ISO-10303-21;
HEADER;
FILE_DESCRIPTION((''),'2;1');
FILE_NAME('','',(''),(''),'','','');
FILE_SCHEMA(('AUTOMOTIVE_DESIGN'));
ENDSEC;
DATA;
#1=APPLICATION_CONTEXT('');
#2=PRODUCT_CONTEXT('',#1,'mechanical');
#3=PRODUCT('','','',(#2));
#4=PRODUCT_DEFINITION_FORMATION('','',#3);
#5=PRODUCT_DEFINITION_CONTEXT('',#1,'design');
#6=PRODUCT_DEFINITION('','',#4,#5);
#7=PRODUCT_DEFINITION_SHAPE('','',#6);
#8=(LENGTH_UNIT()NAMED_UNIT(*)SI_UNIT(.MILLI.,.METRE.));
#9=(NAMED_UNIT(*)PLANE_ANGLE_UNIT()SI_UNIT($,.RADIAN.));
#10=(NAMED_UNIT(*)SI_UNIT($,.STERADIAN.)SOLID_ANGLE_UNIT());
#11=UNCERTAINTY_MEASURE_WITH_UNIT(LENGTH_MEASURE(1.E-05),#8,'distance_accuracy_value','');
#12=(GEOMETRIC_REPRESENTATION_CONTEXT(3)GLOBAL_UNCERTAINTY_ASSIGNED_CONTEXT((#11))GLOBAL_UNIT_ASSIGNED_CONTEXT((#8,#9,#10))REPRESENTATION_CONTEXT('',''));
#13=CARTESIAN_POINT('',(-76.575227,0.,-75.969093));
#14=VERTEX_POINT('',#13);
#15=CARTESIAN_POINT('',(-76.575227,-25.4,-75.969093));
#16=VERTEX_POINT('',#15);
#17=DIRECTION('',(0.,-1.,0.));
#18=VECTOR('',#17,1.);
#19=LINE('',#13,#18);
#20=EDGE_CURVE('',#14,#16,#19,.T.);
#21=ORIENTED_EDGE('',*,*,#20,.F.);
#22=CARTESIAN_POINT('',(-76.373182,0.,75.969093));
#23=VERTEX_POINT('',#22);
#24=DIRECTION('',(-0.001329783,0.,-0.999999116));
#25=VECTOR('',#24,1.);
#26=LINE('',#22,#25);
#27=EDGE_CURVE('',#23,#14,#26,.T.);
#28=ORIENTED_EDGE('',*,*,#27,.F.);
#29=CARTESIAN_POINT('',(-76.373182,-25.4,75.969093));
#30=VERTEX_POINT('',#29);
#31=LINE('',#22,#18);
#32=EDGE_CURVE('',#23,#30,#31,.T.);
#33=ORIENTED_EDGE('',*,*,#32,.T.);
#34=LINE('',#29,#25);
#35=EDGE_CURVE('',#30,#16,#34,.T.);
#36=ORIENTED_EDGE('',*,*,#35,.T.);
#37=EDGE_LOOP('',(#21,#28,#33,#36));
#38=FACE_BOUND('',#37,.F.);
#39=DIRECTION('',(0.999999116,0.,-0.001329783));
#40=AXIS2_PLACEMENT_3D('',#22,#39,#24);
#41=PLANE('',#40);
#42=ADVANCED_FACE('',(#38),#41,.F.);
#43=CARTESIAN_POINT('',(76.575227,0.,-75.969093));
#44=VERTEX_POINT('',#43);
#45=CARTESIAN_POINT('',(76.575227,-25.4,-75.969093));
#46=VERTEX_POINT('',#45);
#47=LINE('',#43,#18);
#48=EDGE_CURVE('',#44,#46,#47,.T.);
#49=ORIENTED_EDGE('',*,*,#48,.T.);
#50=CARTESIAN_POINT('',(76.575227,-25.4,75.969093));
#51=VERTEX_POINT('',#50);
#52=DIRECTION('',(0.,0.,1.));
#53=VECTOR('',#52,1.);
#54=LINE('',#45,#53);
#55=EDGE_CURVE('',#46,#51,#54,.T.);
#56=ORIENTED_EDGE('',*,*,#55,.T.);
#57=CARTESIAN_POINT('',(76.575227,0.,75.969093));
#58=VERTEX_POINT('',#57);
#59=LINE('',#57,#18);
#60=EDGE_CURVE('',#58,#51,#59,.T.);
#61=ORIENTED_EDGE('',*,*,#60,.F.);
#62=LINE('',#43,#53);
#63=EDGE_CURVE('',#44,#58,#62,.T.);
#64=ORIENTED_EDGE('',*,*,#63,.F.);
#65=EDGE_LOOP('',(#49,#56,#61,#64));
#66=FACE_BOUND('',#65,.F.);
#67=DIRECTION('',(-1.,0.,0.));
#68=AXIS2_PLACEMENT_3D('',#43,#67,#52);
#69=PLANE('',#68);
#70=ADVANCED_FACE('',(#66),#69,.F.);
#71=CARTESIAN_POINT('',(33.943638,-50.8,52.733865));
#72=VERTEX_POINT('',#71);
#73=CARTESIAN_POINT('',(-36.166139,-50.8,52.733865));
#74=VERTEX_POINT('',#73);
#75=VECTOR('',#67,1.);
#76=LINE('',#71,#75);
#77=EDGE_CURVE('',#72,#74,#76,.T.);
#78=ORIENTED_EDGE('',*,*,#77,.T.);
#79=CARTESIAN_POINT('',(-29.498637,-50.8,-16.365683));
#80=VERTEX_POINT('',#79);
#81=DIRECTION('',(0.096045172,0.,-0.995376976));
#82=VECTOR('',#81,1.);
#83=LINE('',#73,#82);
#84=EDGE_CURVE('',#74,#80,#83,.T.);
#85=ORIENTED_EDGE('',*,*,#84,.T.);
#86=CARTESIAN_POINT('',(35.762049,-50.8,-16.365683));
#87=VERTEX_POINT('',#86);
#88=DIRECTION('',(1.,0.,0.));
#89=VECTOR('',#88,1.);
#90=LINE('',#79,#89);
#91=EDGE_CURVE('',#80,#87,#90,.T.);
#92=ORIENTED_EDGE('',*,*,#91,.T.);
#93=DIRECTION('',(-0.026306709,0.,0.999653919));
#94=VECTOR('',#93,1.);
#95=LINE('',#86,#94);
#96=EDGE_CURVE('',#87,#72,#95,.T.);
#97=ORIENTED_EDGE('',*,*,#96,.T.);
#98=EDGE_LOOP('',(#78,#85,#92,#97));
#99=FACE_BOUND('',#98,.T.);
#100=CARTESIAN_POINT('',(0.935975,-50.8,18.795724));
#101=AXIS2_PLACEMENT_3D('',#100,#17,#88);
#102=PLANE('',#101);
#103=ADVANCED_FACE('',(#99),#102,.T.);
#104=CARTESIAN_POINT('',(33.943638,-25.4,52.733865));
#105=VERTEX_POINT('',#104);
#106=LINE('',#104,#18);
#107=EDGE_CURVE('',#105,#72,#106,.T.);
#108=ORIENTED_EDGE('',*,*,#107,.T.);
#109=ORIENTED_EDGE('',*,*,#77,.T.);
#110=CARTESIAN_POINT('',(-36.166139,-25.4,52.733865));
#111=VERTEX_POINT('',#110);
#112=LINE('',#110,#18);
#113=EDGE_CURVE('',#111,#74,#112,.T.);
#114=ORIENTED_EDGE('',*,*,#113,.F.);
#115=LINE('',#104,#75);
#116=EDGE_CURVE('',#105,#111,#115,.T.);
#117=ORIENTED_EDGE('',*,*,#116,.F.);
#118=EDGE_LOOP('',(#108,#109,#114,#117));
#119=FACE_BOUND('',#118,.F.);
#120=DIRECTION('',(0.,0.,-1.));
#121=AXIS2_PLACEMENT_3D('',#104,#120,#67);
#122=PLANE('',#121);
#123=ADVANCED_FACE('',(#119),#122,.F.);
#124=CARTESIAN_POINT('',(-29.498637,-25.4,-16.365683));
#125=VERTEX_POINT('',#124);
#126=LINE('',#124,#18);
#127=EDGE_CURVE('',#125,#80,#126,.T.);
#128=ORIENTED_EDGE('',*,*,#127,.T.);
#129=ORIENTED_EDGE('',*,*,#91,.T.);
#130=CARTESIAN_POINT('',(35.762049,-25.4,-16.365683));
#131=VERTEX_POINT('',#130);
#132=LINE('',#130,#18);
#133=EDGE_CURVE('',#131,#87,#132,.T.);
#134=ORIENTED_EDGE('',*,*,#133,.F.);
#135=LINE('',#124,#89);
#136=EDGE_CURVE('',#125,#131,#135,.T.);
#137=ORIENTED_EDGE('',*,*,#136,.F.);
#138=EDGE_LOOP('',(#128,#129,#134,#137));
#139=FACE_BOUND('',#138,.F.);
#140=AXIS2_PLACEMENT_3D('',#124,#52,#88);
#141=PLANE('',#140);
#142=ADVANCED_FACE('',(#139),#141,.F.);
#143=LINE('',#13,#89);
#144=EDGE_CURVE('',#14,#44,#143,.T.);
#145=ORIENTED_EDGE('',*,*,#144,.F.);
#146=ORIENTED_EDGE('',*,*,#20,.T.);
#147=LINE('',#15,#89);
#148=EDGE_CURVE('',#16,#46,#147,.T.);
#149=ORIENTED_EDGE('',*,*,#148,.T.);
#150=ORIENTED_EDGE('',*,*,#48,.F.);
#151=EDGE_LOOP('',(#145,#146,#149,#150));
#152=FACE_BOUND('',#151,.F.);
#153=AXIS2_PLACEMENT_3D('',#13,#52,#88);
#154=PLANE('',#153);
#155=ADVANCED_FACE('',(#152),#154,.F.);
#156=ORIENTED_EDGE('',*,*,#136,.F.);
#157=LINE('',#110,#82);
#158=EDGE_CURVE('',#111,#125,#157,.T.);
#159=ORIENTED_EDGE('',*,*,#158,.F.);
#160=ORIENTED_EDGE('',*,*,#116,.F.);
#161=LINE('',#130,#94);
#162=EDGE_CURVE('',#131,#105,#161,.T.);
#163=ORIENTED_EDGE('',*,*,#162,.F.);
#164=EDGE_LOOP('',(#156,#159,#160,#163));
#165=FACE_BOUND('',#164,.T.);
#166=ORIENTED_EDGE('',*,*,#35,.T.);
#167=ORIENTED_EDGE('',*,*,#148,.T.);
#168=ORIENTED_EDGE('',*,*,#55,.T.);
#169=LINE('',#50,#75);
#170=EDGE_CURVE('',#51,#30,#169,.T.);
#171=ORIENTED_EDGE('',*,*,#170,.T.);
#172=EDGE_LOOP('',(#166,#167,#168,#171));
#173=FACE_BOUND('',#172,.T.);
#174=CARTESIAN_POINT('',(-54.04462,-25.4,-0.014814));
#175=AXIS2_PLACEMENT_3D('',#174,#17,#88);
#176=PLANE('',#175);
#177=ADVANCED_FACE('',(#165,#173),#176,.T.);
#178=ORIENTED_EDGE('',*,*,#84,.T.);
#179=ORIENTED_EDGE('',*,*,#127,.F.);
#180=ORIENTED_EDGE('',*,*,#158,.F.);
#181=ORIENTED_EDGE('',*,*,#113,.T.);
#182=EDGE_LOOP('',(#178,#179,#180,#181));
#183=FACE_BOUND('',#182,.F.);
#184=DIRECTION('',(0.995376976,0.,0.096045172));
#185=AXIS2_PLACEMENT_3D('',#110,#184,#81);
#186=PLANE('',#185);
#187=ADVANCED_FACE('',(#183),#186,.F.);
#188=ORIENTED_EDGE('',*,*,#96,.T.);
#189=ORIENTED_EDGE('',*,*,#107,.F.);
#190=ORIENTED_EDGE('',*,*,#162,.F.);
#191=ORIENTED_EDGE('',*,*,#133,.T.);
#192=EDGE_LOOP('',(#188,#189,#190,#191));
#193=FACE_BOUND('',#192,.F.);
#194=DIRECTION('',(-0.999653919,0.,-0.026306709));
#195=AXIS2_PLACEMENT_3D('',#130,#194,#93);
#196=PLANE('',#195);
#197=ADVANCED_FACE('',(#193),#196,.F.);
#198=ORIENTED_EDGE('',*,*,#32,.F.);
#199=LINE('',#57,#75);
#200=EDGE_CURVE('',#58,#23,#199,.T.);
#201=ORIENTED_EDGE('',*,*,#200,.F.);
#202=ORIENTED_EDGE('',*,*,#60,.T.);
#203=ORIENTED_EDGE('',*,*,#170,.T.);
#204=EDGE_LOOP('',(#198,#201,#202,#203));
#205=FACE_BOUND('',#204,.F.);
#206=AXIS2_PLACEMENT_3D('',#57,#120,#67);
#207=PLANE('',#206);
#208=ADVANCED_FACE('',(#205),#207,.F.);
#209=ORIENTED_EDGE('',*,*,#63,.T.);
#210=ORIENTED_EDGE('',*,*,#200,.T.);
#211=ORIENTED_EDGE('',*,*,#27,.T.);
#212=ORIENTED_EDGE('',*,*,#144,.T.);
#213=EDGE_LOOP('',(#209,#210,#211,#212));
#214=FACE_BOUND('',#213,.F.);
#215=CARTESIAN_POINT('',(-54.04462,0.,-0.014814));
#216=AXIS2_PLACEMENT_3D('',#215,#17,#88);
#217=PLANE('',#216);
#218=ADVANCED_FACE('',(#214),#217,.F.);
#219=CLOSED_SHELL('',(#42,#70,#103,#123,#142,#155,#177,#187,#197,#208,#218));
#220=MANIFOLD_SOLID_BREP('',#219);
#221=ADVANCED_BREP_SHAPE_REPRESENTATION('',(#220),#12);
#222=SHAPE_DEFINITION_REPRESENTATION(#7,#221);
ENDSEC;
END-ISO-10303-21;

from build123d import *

# Parameters (mm, degrees)
F1_DEPTH = 25.4
F3_DEPTH = 25.4


with BuildPart() as f1:
    # F0 (on Front) → F1 (new body)
    with BuildSketch(Plane.XZ):
        Polygon((0, 0), (-76.373182, 75.969093), (-76.575227, -75.969093), align=None)
        Polygon((76.575227, 75.969093), (-76.373182, 75.969093), (0, 0), align=None)
        Polygon((76.575227, -75.969093), (76.575227, 75.969093), (0, 0), align=None)
        Polygon((0, 0), (-76.575227, -75.969093), (76.575227, -75.969093), align=None)
    extrude(amount=F1_DEPTH)

    # F2 (on face) → F3 (join)
    with BuildSketch(Plane.XZ.offset(25.4)):
        Polygon((33.943638, 52.733865), (-36.166139, 52.733865), (-29.498637, -16.365683), (35.762049, -16.365683), align=None)
    extrude(amount=F3_DEPTH)


solid = f1.part
